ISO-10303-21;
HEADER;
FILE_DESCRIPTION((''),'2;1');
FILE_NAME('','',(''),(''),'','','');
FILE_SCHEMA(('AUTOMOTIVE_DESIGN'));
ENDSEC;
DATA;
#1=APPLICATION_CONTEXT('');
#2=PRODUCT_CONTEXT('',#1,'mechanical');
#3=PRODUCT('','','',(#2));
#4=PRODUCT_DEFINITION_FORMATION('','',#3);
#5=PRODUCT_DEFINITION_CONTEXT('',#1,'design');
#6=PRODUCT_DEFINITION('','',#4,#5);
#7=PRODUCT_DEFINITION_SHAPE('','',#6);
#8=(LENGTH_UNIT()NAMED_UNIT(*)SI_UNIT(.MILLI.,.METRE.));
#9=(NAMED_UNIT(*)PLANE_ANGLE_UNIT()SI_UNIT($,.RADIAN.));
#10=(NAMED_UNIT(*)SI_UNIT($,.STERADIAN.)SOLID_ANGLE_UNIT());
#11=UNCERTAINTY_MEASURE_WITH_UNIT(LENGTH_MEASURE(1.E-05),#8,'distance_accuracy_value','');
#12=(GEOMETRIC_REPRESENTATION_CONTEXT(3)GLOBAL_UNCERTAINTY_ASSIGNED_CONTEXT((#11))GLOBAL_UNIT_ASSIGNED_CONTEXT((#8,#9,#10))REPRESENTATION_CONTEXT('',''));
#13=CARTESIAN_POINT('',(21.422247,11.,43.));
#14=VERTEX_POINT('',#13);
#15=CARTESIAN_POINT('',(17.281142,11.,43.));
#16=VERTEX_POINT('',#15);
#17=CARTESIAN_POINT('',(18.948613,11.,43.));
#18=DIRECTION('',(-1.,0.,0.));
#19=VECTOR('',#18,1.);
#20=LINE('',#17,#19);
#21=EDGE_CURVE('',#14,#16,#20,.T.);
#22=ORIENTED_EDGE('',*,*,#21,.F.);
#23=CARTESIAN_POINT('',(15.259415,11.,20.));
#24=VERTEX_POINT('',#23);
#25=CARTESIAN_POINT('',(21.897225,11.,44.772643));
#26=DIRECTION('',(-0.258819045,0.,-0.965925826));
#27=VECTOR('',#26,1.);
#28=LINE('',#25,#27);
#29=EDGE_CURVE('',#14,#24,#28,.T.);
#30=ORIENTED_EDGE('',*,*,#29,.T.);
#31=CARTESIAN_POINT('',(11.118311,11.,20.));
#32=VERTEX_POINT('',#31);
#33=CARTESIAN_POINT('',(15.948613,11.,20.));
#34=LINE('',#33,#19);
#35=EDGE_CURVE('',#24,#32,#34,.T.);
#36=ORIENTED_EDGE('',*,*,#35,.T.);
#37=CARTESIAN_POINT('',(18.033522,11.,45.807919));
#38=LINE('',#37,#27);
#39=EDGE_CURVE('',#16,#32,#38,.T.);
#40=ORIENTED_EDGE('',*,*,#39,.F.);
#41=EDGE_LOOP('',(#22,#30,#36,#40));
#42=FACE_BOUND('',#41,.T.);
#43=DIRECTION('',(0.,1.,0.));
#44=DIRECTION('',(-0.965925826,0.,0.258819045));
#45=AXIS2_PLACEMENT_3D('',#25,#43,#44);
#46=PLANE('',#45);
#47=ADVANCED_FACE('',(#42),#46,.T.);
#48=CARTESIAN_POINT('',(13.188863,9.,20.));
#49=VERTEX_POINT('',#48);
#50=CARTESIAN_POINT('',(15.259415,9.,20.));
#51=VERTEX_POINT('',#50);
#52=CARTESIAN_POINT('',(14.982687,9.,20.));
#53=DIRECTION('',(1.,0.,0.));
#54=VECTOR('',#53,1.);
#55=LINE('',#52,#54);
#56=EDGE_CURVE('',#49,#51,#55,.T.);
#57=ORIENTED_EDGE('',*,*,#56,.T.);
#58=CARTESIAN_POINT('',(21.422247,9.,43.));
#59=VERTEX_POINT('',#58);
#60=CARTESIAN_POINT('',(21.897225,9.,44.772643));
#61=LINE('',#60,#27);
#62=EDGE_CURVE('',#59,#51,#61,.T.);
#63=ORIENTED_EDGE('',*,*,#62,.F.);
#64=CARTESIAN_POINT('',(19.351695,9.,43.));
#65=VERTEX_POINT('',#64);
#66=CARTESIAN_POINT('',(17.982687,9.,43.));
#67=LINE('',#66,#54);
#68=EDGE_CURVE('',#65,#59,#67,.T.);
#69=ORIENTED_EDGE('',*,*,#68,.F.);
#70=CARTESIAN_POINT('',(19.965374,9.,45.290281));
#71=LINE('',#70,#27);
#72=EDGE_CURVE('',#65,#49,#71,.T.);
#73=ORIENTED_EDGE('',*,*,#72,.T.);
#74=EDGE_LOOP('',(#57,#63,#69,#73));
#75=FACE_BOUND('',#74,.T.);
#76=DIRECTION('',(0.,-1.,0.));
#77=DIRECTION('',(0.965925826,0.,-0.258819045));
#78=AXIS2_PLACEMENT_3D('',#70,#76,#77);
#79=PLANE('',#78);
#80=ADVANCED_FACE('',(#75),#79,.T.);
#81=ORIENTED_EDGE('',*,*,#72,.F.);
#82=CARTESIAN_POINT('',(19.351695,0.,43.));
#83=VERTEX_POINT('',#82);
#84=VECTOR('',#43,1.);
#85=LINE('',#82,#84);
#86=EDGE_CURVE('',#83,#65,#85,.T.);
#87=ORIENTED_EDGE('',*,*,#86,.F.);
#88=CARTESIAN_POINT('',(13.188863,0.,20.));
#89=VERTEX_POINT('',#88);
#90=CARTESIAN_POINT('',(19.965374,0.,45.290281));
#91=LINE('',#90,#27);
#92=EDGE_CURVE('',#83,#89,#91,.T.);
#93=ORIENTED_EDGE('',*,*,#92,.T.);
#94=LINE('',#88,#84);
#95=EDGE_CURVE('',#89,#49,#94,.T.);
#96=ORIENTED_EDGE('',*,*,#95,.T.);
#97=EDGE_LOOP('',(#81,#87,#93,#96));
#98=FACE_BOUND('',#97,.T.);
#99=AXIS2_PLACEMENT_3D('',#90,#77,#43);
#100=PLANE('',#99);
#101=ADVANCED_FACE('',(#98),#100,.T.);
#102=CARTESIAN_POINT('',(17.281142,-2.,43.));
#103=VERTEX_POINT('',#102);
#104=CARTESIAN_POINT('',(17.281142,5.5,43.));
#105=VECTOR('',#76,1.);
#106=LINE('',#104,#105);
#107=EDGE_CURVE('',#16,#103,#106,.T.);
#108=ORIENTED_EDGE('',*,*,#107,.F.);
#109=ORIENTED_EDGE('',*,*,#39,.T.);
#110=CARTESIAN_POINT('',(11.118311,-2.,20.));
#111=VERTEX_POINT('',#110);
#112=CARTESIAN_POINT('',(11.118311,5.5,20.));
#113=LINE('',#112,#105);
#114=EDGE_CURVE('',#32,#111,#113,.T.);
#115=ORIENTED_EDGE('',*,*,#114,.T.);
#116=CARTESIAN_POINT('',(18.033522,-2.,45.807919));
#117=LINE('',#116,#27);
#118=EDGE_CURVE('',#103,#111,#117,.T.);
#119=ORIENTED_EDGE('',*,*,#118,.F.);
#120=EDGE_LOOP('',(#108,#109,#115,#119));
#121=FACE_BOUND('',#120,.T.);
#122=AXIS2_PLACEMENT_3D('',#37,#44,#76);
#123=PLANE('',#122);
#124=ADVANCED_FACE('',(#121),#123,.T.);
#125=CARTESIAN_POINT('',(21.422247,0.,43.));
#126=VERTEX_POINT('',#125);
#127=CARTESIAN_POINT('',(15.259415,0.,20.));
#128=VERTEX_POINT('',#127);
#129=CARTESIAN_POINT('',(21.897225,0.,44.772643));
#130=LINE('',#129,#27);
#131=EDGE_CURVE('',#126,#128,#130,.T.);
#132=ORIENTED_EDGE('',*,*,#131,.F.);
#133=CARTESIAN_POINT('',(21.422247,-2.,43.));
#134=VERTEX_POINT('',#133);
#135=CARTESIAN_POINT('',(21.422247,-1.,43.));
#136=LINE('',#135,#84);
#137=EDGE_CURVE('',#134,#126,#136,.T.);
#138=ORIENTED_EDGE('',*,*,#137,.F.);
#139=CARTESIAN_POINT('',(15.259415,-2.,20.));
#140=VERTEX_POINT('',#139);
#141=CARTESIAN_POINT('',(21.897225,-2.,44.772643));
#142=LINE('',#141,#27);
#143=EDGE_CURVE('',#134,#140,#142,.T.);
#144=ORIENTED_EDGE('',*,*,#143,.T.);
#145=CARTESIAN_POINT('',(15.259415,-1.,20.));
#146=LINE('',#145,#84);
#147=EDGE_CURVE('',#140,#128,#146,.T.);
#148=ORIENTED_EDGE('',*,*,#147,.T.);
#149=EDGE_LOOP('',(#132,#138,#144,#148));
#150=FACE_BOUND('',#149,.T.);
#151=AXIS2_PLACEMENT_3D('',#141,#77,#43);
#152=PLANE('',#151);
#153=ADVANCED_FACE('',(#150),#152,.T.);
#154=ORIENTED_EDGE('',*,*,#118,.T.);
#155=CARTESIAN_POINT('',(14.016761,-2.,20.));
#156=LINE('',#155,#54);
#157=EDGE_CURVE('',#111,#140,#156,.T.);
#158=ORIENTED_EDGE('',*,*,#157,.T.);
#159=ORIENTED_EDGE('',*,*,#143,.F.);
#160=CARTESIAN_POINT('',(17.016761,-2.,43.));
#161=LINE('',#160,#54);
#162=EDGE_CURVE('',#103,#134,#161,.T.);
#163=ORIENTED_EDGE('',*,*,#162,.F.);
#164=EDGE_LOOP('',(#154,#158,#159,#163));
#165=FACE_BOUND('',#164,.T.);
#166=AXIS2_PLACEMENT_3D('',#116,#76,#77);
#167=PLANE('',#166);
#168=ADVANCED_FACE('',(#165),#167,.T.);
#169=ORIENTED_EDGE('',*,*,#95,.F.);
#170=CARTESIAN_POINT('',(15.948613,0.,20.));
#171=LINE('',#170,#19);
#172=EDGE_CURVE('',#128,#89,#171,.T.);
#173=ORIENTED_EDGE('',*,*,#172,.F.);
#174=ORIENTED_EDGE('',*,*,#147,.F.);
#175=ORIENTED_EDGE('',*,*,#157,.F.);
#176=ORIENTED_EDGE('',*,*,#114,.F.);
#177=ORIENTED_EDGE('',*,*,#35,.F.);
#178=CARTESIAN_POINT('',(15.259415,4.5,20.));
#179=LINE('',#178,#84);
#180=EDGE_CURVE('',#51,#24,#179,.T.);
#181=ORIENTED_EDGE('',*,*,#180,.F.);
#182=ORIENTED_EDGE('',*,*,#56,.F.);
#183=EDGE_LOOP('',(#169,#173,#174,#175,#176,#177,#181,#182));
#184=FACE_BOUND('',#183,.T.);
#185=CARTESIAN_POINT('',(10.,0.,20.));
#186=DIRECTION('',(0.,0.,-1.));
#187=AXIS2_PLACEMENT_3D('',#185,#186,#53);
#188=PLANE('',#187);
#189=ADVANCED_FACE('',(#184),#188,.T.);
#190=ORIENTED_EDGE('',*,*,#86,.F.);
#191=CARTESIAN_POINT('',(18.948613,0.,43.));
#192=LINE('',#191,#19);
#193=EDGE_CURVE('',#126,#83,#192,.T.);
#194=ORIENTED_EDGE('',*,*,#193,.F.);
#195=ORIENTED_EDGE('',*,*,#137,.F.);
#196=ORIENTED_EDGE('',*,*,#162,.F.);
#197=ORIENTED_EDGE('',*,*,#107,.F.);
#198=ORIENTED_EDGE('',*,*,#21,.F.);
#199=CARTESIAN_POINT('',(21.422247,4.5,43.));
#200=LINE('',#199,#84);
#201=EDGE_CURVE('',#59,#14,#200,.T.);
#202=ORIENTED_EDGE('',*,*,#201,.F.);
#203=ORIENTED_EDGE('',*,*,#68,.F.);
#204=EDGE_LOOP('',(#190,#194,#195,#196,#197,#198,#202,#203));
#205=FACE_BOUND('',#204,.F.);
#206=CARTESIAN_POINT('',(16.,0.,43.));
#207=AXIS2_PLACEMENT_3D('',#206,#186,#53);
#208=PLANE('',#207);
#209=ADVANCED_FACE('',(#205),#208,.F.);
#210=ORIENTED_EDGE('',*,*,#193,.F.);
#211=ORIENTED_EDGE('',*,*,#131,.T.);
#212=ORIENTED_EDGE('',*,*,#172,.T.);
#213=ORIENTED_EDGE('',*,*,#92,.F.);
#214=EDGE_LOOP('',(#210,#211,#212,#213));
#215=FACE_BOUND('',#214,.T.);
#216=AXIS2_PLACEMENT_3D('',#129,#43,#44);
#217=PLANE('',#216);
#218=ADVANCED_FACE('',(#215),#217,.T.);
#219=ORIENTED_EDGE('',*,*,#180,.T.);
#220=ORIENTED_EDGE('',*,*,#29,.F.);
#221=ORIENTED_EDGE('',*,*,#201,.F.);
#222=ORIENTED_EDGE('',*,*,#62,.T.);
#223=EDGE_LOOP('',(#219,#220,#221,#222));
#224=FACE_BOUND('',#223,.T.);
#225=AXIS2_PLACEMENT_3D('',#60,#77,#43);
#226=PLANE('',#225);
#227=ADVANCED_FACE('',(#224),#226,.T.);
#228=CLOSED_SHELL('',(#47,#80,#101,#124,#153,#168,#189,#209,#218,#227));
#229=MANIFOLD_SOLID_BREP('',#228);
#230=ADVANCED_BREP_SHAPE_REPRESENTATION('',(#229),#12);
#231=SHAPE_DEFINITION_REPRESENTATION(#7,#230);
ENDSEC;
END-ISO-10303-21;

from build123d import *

# Parameters (mm, degrees)
SKETCH024_W                = 7
SKETCH024_H                = 2
SKETCH024_W_2              = 8
SKETCH024_H_2              = 4
EXTRUDE020_DEPTH           = 5
EXTRUDE020_DEPTH_BACK      = 14
EXTRUDE014_DEPTH           = 27
EXTRUDE014_PLACEMENT_ANGLE = 15


with BuildPart() as extrude020:
    # Sketch024 → Extrude020 (new body, two sides)
    with BuildSketch(Plane.XZ) as extrude020_sk:
        with Locations((13.5, 19)):
            Rectangle(SKETCH024_W, SKETCH024_H)
        with Locations((20, 45)):
            Rectangle(SKETCH024_W_2, SKETCH024_H_2)
    extrude(amount=EXTRUDE020_DEPTH)
    extrude(extrude020_sk.sketch, amount=-EXTRUDE020_DEPTH_BACK)


with BuildPart() as cut001:
    # Sketch018 → Extrude014 (new body)
    with BuildSketch(Plane.XY.offset(45)):
        Polygon((20, 9), (22, 9), (22, 11), (18, 11), (18, -2), (22, -2), (22, 0), (20, 0), align=None)
    extrude(amount=-EXTRUDE014_DEPTH)


with BuildPart() as cut001_1:
    # Extrude014 placement: moved
    add(cut001.part.moved(Location((-11, 0, 7))).rotate(Axis((-11, 0, 7), (0, 1, 0)), EXTRUDE014_PLACEMENT_ANGLE))

    # Cut001: cut Extrude020
    add(extrude020.part, mode=Mode.SUBTRACT)


solid = cut001_1.part
